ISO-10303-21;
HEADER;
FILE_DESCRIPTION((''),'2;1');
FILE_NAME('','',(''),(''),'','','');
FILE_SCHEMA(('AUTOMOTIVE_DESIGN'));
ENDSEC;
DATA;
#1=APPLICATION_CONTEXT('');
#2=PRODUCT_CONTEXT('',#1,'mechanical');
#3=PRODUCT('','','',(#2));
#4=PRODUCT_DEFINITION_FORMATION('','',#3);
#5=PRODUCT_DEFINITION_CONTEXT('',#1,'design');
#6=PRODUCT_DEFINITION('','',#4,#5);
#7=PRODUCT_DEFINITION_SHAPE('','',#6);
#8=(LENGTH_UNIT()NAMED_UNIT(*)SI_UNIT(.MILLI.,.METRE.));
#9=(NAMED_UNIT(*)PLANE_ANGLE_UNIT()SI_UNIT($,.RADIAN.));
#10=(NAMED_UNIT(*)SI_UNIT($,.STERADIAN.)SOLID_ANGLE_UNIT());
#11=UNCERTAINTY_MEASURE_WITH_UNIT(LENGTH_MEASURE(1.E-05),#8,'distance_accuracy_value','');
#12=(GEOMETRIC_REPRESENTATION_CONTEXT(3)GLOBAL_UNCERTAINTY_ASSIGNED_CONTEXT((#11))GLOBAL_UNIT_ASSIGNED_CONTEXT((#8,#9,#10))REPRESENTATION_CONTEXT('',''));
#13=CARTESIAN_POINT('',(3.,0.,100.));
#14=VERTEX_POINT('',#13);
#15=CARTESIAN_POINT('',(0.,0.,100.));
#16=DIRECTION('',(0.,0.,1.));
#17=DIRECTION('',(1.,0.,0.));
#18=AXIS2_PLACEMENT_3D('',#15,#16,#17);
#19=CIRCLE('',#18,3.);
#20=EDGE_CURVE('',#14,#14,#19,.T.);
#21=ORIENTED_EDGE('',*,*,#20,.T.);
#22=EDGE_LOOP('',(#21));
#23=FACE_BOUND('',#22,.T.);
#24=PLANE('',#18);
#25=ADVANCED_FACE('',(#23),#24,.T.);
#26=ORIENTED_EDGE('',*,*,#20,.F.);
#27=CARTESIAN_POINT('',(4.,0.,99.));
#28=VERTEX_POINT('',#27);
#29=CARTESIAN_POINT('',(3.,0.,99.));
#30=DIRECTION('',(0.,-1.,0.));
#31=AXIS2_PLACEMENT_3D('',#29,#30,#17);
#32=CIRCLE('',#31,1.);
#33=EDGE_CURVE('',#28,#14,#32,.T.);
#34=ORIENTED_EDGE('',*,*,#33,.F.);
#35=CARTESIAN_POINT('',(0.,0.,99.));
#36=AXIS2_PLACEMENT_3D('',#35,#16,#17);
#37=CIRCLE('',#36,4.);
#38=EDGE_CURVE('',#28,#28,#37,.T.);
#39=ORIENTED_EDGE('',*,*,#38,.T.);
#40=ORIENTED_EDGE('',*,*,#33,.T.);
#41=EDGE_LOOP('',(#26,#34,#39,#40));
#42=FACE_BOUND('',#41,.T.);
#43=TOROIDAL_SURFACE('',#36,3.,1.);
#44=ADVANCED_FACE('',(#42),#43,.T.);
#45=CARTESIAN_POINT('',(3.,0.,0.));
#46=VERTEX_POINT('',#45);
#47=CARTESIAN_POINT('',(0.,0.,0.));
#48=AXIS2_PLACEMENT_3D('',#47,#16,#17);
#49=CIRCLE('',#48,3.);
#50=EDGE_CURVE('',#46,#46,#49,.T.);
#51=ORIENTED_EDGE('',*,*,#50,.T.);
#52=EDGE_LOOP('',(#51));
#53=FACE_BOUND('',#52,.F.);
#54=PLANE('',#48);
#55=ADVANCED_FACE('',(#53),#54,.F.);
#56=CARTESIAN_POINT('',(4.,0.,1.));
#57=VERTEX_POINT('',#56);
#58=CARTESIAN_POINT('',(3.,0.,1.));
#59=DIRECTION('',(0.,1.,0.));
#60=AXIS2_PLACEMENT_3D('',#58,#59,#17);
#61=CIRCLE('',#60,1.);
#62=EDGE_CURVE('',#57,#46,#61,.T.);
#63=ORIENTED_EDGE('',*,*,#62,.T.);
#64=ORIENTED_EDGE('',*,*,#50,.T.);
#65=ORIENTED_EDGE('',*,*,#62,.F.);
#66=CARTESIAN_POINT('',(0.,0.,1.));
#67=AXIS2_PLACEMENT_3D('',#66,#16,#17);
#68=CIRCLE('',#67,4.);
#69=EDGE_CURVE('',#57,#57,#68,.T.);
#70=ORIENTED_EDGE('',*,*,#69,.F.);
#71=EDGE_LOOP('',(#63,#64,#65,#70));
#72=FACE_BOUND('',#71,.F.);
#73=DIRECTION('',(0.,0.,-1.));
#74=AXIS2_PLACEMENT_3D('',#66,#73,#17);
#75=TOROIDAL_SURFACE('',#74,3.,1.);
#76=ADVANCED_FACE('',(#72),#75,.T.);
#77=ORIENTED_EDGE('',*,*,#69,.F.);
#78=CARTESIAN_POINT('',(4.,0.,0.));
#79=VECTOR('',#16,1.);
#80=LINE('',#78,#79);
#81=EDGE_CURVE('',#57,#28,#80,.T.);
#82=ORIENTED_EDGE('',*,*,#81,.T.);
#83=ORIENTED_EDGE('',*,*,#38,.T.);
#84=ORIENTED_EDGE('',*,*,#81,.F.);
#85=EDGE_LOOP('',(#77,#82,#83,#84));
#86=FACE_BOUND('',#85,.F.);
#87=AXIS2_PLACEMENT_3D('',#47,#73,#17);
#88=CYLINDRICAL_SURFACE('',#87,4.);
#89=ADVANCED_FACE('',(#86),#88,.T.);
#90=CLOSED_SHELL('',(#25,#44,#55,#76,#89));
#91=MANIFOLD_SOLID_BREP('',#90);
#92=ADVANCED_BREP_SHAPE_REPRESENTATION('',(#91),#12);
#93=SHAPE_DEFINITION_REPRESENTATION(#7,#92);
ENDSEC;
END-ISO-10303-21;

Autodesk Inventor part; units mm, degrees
ref_plane "YZ Plane" through (0, 0, 0) normal (1, 0, 0) x (0, 1, 0)
ref_plane "XZ Plane" through (0, 0, 0) normal (0, 1, 0) x (-1, 0, 0)
ref_plane "XY Plane" through (0, 0, 0) normal (0, 0, 1) x (1, 0, 0)
sketch "Sketch1" plane through (0, 0, 0) normal (0, 0, 1) x (1, 0, 0)
  circle A0 centre (0, 0) radius 4
  dimension "d0" = 8
extrude "Extrusion1" add sketch "Sketch1" along normal blind 100
fillet "Fillet1" radius 1 2 edges at (-4, 0, 100) (-4, 0, 0)
properties part number "Steel Rod 8mm x 115mm" material "Stainless Steel"
